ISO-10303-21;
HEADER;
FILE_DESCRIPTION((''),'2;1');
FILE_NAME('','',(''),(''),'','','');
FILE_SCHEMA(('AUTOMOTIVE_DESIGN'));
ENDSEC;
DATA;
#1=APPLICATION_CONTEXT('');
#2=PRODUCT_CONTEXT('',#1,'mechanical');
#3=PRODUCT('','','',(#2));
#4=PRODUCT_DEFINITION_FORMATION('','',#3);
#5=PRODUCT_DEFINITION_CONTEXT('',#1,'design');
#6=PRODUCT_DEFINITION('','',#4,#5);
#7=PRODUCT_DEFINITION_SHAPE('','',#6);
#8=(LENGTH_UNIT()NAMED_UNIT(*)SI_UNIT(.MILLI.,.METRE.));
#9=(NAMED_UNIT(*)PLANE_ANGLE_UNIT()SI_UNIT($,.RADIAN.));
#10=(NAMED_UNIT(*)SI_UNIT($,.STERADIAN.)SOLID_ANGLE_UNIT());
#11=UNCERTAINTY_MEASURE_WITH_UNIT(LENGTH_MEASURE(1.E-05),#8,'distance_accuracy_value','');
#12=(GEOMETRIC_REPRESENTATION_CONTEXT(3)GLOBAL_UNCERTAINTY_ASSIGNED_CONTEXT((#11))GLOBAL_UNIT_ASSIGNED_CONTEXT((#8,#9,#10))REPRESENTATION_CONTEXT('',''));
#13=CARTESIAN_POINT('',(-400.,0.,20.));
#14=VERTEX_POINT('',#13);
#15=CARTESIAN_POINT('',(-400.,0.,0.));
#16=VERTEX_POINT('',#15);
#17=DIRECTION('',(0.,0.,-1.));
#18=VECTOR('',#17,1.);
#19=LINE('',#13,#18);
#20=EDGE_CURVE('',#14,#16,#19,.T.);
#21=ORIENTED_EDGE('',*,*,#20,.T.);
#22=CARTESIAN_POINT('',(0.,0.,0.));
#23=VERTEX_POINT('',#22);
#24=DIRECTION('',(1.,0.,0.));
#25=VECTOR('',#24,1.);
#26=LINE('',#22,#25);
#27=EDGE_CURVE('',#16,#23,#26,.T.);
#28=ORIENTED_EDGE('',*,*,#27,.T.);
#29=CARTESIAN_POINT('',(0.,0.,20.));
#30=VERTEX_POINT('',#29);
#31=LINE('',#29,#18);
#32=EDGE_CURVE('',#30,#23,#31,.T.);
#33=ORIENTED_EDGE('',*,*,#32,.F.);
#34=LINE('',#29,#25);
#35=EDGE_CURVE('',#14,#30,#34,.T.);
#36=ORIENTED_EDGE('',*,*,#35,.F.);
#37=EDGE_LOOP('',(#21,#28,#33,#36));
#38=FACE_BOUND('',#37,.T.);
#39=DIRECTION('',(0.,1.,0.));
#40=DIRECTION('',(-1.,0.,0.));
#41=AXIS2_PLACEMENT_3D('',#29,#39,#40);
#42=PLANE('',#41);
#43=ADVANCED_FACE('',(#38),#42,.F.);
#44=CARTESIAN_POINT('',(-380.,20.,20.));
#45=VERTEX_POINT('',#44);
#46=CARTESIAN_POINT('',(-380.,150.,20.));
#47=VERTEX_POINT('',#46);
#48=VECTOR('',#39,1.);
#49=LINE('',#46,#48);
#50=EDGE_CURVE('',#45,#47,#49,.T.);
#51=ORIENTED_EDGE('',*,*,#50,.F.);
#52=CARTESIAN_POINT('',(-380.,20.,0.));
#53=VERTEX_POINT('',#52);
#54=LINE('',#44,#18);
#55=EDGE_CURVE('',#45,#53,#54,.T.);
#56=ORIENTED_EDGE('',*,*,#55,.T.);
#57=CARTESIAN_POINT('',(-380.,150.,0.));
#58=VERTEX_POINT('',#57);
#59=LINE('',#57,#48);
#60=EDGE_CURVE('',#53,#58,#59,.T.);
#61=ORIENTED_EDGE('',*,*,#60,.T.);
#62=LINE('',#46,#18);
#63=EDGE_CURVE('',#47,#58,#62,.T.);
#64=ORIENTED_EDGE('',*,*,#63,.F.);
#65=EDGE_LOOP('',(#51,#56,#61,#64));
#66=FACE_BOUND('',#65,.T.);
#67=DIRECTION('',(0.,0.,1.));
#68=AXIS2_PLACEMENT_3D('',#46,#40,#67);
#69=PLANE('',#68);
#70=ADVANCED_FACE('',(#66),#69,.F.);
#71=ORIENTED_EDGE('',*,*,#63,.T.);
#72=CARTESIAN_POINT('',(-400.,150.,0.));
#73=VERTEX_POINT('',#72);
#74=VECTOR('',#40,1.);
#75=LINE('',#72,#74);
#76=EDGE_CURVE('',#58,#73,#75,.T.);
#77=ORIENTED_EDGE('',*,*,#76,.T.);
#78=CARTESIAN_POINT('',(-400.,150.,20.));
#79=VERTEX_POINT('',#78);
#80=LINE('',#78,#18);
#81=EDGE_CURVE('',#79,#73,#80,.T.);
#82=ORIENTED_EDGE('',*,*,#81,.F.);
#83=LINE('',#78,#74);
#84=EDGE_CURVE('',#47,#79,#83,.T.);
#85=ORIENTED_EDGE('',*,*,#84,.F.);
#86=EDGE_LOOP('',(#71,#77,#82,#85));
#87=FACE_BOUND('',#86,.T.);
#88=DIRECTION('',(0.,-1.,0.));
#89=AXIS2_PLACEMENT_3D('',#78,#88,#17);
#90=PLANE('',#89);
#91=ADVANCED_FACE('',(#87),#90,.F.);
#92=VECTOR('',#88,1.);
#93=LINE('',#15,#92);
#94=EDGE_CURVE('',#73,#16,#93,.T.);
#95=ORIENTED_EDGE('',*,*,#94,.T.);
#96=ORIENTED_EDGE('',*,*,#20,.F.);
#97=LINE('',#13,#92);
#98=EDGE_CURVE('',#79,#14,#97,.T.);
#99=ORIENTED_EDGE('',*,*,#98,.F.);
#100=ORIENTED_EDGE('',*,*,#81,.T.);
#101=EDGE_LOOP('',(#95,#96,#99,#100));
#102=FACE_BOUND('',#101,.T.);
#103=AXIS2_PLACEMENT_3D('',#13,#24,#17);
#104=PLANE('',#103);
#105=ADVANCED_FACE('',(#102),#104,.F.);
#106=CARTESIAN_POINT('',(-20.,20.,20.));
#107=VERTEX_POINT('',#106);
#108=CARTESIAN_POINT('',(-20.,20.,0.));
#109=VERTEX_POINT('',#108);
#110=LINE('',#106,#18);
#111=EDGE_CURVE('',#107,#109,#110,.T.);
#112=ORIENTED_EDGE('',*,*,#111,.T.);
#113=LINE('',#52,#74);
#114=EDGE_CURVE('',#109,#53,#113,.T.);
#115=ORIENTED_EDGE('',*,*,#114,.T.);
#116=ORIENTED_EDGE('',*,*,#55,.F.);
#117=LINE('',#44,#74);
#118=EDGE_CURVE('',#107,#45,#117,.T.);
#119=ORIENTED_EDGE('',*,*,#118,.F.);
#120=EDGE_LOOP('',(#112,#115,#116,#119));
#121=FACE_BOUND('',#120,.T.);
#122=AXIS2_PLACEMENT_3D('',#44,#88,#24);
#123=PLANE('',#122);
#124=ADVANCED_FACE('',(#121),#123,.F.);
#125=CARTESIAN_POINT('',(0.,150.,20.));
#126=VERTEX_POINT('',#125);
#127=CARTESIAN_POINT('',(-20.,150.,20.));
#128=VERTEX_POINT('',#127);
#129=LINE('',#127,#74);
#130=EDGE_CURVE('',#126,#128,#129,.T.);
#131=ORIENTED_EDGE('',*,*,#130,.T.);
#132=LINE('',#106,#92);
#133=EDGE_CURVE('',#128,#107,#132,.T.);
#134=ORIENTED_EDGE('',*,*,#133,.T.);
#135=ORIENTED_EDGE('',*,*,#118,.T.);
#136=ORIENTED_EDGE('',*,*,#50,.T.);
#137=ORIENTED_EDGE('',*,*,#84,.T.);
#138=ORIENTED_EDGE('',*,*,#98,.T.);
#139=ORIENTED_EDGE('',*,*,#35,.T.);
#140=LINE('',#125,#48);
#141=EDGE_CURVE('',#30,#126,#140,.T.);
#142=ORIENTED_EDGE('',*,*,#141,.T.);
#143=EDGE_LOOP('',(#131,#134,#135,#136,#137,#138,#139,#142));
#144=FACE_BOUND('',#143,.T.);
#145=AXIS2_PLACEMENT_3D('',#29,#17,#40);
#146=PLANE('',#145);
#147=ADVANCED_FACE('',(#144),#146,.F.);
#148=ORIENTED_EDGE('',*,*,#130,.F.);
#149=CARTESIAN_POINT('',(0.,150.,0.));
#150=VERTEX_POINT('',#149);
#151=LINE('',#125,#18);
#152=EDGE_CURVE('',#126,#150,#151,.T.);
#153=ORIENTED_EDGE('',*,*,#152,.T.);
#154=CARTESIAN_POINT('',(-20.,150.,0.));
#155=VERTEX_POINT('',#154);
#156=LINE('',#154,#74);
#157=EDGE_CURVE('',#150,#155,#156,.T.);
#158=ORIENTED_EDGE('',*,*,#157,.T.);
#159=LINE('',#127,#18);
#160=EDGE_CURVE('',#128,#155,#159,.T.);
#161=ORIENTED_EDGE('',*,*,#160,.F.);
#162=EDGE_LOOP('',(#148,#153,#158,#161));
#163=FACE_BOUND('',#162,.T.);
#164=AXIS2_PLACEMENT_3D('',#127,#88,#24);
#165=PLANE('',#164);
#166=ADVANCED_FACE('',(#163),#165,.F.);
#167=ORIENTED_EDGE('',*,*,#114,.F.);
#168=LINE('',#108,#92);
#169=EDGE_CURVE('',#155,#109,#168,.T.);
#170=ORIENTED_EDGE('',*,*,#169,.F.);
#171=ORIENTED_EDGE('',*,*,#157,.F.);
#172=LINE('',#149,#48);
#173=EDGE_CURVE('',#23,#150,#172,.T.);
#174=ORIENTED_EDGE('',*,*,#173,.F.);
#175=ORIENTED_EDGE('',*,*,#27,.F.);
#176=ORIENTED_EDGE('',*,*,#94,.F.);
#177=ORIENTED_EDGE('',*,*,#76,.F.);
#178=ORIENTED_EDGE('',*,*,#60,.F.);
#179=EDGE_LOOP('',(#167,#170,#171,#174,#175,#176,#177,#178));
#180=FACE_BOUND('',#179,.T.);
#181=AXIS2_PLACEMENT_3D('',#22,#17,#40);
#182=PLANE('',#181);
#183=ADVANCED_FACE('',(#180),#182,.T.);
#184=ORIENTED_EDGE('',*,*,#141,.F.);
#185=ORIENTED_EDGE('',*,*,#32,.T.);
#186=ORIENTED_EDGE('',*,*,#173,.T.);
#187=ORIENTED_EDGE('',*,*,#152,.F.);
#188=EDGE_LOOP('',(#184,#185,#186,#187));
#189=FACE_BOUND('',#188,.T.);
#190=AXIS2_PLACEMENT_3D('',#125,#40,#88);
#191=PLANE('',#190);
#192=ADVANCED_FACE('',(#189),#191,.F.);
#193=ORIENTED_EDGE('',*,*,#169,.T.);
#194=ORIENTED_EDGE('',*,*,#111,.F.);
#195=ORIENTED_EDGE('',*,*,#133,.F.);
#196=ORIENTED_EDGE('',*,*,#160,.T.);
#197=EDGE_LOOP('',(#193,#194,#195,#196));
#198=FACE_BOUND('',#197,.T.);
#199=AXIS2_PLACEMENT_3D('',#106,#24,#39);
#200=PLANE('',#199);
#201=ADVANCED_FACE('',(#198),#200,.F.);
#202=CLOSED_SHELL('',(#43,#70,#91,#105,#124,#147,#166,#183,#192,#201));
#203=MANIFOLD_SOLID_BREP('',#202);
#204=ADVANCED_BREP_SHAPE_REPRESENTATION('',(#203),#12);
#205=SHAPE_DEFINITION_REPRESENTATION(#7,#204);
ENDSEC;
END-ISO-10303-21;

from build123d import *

# Parameters (mm, degrees)
EXTRUDE_1_DEPTH = 20


with BuildPart() as part:
    # 스케치2 → 보스-돌출1 (new body)
    with BuildSketch(Plane.XY):
        Polygon((0, 0), (-400, 0), (-400, 150), (-380, 150), (-380, 20), (-20, 20), (-20, 150), (0, 150), align=None)
    extrude(amount=EXTRUDE_1_DEPTH)


solid = part.part
